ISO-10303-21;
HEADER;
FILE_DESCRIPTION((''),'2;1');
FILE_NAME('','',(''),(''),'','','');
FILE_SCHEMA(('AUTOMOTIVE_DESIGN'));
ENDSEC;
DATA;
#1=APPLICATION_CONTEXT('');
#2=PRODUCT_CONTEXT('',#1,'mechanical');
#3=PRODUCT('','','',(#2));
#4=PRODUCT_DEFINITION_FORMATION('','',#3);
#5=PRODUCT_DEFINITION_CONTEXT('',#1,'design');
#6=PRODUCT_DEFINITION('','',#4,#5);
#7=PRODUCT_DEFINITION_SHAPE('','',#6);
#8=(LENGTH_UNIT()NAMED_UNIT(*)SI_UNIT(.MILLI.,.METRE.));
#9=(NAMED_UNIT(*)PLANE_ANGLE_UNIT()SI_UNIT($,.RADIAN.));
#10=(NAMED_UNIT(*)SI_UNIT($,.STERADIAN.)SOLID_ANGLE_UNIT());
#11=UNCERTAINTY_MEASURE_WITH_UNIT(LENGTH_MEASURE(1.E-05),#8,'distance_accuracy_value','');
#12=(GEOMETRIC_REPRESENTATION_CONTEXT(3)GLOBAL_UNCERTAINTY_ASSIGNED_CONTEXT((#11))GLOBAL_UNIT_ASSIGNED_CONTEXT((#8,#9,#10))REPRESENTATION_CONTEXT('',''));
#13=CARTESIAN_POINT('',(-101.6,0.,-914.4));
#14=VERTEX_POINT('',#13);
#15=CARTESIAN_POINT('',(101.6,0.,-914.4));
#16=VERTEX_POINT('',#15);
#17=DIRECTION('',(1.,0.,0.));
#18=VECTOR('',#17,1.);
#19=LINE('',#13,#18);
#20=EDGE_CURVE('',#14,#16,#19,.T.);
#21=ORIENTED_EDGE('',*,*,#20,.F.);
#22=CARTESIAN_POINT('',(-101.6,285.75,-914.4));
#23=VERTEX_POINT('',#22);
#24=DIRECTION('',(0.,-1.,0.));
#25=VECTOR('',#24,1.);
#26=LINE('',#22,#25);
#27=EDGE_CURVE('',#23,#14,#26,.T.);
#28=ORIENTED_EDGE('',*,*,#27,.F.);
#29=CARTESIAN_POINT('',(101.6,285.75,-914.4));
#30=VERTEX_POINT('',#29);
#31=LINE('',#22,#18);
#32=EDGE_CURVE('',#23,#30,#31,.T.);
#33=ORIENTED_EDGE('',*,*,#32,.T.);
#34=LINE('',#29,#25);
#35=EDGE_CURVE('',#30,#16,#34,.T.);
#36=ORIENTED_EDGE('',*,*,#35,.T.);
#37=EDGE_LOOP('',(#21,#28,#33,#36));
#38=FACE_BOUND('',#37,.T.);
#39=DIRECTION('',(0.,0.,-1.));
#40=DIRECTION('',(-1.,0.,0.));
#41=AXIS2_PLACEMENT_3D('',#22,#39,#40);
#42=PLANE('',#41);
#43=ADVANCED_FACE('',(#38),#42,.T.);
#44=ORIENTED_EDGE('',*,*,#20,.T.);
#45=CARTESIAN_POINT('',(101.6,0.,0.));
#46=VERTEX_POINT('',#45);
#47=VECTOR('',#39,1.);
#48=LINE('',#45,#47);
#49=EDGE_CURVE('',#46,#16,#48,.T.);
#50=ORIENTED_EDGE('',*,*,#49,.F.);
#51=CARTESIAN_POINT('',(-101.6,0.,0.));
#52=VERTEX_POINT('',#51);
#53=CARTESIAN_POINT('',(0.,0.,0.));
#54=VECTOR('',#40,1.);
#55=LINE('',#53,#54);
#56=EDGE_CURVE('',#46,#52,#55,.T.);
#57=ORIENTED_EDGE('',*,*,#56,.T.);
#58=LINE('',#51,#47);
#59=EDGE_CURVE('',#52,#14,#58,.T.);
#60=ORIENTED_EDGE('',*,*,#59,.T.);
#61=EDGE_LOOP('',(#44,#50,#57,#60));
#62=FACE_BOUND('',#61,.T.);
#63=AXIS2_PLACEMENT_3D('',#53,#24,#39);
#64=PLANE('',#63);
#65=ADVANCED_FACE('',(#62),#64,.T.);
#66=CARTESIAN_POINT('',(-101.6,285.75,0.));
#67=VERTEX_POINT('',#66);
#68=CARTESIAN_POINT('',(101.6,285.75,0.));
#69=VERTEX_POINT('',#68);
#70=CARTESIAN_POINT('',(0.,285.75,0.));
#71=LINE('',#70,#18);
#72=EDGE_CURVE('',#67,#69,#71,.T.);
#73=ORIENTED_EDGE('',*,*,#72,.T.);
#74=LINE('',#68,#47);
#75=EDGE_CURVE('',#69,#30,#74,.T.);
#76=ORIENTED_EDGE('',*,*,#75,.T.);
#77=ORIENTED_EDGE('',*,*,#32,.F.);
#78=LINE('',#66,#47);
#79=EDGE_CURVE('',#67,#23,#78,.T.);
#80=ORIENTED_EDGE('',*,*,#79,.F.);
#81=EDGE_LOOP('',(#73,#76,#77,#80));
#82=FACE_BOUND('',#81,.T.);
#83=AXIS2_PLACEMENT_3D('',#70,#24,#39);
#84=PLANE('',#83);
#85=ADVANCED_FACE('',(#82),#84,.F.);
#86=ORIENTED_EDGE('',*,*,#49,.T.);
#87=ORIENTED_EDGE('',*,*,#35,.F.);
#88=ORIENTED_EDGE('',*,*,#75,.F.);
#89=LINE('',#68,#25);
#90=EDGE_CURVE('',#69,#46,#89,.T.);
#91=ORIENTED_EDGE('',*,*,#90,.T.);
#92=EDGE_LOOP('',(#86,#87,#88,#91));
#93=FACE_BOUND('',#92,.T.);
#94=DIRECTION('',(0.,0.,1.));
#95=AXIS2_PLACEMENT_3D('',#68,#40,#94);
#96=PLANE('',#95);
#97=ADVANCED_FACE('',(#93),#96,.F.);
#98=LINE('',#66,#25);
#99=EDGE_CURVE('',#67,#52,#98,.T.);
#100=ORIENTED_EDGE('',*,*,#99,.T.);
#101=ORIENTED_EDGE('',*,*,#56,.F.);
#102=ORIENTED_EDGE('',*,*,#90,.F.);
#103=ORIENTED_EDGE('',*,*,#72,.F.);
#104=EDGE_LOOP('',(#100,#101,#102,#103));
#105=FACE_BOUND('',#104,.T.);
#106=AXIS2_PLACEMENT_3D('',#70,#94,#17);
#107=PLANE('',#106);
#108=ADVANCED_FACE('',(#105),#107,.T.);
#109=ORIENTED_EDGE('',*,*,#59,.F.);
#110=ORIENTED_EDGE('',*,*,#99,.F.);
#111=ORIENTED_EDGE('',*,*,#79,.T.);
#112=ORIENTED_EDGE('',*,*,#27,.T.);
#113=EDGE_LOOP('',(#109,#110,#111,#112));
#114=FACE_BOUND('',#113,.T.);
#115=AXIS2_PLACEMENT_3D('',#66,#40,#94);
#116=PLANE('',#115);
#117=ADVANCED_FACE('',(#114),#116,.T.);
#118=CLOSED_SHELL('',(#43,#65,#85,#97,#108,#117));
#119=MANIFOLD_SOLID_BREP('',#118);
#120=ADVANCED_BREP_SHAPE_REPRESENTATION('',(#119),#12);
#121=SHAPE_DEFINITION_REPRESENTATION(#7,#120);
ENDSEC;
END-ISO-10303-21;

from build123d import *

# Parameters (mm, degrees)
BOSS_EXTRUDE1_DEPTH = 285.75


with BuildPart() as part:
    # Sketch1 → Boss-Extrude1 (new body)
    with BuildSketch(Plane(origin=(0, 0, 0), x_dir=(1, 0, 0), z_dir=(0, 1, 0))):
        Polygon((0, 0), (101.6, 0), (101.6, 914.4), (-101.6, 914.4), (-101.6, 0), align=None)
    extrude(amount=BOSS_EXTRUDE1_DEPTH)


solid = part.part
